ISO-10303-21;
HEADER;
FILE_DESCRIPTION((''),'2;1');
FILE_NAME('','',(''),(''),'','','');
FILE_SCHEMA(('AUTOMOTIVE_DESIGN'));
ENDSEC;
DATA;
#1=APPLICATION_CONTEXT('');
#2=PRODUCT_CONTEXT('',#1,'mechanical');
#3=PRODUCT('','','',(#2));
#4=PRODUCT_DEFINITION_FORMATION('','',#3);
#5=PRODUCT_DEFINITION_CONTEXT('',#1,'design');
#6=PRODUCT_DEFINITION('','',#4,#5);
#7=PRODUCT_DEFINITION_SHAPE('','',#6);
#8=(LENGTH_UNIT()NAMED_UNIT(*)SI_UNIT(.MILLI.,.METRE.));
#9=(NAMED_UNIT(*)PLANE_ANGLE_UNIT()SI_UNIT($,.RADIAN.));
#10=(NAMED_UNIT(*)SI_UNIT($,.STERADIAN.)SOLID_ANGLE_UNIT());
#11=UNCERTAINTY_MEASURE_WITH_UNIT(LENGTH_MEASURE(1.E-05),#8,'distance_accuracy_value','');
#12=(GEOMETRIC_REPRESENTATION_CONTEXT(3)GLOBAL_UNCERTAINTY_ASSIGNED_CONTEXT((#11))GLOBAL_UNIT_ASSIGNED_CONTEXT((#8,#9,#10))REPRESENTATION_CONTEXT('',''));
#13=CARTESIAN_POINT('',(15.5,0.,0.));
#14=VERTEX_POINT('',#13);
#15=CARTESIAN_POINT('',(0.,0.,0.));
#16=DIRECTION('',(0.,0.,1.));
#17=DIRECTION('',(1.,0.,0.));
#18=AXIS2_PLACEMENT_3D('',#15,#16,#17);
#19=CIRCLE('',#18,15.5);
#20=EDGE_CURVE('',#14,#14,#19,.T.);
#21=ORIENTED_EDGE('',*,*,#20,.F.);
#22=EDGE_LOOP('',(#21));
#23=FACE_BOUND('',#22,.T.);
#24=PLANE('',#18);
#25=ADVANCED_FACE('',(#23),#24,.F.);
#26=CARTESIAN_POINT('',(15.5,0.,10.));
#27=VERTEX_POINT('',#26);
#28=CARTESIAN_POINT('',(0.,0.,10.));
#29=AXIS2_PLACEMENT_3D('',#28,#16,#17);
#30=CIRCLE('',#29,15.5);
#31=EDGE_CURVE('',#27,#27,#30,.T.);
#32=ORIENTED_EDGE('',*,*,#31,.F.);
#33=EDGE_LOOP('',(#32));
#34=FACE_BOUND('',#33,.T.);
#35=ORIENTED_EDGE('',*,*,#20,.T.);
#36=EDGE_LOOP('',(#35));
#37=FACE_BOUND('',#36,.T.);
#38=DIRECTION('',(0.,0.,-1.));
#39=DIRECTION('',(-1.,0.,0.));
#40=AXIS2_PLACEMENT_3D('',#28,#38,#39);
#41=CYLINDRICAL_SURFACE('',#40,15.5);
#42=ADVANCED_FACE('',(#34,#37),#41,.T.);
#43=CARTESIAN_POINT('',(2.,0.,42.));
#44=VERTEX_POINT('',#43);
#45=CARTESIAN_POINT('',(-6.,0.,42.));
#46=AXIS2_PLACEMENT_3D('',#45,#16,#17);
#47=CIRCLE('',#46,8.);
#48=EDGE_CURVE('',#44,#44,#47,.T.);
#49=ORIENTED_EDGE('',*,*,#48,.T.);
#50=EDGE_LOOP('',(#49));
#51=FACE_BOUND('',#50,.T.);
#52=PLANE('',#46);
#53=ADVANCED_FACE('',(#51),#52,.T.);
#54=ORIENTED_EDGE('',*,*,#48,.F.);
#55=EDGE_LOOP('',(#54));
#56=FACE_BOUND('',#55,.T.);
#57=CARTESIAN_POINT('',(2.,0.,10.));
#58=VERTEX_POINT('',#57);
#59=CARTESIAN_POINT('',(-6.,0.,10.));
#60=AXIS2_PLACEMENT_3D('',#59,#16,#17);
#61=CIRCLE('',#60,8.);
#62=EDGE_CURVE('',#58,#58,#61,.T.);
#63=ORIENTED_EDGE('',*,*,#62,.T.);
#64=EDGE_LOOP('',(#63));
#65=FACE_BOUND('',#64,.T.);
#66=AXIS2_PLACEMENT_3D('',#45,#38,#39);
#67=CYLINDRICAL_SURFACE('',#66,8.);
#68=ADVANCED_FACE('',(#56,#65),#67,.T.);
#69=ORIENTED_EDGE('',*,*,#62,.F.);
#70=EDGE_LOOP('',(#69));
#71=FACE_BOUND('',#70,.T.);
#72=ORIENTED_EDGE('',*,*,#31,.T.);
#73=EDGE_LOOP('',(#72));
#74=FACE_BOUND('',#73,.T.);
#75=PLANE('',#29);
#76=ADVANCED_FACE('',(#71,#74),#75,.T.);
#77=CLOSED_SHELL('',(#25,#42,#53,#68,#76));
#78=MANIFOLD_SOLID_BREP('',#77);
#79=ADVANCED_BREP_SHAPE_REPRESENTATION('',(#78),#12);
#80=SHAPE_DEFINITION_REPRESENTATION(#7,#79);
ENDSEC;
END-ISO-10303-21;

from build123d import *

# Parameters (mm, degrees)
SKETCH_1_R      = 15.5
EXTRUDE_1_DEPTH = 10
SKETCH_2_R      = 8
EXTRUDE_2_DEPTH = 32


with BuildPart() as part:
    # 草图1 → 凸台-拉伸1 (new body)
    with BuildSketch(Plane.XY):
        Circle(SKETCH_1_R)
    extrude(amount=EXTRUDE_1_DEPTH)

    # 草图2 → 凸台-拉伸2 (add)
    with BuildSketch(Plane.XY.offset(10)):
        with Locations((-6, 0)):
            Circle(SKETCH_2_R)
    extrude(amount=EXTRUDE_2_DEPTH)


solid = part.part
